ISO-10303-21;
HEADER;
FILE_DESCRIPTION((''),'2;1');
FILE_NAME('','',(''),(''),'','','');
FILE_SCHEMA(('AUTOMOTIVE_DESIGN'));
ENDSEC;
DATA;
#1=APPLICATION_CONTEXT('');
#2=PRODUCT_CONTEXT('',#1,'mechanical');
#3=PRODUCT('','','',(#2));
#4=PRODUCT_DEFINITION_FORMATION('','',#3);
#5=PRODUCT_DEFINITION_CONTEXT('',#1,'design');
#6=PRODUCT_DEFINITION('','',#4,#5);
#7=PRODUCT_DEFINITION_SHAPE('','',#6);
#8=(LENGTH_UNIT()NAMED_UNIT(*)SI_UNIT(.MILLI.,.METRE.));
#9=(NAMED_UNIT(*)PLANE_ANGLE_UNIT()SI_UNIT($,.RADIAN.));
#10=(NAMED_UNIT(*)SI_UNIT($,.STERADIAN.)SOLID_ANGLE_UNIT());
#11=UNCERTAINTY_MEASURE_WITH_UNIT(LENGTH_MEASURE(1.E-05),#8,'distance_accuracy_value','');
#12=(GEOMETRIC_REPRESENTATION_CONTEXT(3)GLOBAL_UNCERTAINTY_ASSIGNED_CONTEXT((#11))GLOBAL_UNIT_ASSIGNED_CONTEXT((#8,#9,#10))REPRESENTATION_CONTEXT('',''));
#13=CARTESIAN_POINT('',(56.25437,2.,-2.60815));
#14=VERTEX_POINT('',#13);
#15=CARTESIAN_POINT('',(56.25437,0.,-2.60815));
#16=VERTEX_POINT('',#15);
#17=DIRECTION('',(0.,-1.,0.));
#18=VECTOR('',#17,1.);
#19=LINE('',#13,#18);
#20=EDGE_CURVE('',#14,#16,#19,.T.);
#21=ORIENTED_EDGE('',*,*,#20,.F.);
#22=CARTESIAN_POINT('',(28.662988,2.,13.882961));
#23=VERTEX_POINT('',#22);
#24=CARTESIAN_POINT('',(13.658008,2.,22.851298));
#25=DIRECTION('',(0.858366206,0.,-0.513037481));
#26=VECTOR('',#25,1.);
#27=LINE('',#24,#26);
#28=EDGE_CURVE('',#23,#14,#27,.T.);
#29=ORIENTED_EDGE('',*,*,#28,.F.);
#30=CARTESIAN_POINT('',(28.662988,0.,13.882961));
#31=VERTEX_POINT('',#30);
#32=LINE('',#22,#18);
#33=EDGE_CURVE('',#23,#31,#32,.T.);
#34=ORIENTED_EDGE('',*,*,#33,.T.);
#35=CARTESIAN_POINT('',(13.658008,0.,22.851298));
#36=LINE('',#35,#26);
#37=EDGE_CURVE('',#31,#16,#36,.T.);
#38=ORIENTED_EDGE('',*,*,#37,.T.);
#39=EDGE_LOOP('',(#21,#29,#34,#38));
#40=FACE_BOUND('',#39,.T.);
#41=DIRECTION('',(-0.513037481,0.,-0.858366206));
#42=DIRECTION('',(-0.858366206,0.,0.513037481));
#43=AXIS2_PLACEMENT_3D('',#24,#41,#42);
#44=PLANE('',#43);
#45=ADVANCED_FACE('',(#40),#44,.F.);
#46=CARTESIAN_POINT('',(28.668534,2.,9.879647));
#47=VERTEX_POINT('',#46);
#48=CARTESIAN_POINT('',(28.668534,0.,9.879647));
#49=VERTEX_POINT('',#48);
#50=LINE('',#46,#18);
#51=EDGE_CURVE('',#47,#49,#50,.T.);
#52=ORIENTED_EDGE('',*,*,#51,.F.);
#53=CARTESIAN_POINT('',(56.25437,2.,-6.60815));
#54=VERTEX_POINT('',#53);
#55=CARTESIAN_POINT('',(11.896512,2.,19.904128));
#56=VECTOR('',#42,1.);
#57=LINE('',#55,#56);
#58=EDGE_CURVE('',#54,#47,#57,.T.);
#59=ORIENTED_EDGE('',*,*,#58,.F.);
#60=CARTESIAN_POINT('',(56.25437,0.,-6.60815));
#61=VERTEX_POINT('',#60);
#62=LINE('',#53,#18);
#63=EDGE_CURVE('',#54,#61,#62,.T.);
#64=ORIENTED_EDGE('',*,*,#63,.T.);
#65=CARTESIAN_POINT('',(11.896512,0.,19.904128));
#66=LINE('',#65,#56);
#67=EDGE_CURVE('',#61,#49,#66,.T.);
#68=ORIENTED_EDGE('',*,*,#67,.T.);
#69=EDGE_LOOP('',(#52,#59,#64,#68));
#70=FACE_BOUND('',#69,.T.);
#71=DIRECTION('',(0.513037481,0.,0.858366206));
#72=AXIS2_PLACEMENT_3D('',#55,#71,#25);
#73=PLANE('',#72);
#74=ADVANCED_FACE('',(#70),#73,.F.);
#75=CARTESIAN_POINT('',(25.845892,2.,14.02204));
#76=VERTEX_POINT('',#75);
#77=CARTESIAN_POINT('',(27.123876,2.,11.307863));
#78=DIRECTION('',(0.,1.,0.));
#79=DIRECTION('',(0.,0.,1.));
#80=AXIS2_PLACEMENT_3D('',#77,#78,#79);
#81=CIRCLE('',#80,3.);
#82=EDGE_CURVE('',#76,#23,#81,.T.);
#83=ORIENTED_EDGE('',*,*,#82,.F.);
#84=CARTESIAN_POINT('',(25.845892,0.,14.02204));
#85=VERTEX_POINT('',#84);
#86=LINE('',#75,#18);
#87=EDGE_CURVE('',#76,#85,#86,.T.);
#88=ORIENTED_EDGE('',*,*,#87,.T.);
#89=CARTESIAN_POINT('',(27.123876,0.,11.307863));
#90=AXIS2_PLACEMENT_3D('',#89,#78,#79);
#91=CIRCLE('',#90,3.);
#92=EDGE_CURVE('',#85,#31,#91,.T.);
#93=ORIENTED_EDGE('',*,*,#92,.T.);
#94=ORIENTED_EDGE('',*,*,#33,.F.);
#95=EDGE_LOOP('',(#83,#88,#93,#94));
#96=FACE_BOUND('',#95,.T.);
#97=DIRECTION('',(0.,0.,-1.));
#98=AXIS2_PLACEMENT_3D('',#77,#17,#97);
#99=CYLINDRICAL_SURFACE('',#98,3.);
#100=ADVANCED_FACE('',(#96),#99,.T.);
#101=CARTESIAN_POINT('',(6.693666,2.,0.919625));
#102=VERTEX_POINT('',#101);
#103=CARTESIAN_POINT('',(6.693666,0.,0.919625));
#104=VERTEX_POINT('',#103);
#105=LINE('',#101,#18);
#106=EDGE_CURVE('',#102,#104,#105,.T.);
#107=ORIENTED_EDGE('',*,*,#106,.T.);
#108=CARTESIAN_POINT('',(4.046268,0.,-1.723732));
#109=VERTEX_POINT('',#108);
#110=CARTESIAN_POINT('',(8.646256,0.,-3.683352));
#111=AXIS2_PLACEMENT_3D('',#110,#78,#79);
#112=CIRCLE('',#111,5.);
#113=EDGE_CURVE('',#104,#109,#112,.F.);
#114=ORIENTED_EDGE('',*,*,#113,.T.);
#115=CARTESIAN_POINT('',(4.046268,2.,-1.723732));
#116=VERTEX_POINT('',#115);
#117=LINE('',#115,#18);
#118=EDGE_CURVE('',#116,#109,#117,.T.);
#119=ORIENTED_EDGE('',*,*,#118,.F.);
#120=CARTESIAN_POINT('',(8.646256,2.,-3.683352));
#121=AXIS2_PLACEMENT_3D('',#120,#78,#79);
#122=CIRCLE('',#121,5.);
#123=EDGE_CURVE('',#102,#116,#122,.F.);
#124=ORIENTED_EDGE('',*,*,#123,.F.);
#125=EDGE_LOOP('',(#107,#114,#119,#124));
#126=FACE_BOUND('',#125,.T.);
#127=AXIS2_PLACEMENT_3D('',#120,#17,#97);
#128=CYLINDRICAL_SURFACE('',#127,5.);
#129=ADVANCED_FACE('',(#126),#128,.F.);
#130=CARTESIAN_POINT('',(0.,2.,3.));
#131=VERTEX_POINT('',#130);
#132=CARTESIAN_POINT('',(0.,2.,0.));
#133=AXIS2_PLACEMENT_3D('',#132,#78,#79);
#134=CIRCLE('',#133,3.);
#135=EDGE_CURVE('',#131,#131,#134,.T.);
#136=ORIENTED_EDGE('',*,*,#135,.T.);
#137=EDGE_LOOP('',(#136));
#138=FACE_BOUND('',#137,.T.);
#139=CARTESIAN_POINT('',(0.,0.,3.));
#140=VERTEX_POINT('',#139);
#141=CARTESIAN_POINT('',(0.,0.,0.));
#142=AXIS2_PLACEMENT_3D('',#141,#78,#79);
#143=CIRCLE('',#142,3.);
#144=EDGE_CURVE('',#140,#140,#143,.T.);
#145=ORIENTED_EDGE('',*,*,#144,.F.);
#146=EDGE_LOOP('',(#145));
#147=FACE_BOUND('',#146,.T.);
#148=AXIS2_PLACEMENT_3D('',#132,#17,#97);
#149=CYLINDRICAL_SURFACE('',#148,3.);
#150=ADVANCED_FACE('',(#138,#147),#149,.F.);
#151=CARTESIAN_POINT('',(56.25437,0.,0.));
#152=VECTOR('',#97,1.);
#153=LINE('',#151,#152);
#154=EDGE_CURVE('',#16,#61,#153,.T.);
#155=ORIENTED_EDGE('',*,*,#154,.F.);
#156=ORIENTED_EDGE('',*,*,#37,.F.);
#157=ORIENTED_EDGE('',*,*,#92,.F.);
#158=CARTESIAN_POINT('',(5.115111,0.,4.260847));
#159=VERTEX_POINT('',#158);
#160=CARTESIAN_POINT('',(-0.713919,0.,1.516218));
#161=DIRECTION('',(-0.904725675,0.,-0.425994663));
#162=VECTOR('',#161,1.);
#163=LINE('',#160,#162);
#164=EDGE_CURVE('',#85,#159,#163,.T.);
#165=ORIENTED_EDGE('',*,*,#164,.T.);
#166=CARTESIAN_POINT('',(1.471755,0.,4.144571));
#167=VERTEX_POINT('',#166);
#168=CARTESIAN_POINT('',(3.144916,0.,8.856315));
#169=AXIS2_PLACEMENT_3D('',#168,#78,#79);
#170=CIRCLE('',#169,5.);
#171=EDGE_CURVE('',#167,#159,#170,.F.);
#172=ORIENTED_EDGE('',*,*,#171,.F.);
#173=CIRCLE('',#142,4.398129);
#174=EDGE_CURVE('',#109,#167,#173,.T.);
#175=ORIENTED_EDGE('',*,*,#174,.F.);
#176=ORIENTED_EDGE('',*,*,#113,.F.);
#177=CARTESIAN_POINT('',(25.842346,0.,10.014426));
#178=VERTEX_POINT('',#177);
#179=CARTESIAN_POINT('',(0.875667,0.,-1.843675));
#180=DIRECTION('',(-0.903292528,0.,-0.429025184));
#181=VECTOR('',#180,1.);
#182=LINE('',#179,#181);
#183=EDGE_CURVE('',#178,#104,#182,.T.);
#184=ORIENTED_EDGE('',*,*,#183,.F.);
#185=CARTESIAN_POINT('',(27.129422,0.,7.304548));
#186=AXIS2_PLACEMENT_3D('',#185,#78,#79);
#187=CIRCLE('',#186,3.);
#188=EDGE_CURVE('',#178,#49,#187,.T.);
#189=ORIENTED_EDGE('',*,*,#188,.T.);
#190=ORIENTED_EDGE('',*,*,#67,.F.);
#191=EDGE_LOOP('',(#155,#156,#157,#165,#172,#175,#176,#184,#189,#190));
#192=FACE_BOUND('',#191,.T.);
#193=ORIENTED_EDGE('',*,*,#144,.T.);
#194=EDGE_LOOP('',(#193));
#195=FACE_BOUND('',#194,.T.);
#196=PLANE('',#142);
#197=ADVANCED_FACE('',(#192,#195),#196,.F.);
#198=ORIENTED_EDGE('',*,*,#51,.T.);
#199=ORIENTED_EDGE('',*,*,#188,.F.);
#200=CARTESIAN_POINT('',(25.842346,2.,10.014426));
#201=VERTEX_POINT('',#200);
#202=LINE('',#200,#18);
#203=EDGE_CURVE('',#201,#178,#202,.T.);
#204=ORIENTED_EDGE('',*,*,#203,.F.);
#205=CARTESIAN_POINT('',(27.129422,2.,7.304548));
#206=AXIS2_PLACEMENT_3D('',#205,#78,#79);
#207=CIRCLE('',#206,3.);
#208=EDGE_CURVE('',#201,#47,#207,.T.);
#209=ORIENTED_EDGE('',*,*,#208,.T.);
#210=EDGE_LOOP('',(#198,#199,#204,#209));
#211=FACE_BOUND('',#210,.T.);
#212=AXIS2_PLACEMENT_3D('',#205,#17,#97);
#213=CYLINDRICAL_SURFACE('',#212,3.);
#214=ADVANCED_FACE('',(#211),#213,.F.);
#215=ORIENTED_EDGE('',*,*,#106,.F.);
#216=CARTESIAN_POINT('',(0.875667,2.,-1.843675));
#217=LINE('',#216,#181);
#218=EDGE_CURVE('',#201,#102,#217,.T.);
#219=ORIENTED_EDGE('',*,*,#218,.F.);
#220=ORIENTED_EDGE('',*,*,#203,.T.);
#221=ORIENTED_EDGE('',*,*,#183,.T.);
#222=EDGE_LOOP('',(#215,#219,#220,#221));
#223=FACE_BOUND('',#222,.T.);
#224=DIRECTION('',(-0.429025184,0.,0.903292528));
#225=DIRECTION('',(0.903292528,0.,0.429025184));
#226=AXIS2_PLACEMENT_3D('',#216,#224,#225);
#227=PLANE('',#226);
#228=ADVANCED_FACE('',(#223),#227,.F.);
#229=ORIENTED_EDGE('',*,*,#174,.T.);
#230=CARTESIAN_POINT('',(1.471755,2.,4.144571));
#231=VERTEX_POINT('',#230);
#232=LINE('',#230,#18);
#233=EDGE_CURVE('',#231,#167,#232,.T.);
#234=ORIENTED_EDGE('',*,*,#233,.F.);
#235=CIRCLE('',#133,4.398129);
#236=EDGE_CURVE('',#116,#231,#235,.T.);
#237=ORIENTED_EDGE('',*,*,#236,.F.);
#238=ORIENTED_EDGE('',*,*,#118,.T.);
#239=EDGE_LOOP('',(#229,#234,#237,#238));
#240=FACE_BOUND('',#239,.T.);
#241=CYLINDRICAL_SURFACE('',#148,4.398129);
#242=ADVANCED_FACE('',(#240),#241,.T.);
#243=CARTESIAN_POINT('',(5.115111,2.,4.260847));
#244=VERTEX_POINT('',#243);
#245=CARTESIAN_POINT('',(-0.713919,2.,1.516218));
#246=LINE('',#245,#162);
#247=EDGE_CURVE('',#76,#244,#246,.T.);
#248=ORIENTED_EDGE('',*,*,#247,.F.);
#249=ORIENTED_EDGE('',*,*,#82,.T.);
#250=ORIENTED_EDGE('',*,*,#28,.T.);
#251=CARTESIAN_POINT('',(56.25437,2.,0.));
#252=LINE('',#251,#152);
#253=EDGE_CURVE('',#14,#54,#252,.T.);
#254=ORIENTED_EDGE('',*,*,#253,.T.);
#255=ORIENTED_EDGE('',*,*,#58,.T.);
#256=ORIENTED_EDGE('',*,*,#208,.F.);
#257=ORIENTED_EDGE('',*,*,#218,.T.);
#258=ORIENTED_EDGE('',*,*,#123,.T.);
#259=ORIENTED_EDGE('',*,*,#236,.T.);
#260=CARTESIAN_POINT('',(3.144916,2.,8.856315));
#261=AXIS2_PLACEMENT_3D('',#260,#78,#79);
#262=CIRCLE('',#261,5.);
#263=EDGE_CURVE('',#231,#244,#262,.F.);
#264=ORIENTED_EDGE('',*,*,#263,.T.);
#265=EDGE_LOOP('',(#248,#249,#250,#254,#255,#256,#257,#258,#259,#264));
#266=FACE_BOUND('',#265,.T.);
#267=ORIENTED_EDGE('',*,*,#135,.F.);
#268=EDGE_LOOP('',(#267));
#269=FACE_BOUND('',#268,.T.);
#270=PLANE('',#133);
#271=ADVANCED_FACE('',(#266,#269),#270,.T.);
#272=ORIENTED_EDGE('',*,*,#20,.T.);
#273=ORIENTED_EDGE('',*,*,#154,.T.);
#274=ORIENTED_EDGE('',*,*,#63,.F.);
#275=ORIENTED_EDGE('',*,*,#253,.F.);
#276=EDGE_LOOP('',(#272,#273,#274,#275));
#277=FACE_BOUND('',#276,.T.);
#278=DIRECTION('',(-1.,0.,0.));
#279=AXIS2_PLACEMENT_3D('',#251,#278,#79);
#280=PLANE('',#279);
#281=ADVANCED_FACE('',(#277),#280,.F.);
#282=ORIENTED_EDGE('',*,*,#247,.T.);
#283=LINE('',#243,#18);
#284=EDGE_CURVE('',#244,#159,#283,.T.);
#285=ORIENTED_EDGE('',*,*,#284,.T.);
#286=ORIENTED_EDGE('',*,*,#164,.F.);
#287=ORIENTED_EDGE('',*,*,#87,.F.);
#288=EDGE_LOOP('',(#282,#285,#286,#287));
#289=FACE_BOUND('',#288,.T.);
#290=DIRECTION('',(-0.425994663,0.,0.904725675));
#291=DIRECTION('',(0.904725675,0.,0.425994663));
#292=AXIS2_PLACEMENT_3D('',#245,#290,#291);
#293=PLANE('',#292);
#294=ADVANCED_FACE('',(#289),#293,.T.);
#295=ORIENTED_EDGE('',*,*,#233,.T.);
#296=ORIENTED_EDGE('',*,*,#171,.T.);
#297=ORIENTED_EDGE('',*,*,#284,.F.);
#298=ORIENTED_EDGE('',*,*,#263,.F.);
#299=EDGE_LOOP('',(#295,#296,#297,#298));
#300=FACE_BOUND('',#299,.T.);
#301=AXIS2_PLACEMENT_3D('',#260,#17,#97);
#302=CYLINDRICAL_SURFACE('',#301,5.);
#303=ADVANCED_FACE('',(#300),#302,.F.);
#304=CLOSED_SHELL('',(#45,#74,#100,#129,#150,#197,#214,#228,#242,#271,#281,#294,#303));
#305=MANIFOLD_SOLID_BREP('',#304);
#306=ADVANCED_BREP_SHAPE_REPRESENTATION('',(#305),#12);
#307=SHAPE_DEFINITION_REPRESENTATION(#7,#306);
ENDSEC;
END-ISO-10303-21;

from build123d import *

# Parameters (mm, degrees)
SKETCH1_R           = 3
BOSS_EXTRUDE1_DEPTH = 2


with BuildPart() as part:
    # Sketch1 → Boss-Extrude1 (new body)
    with BuildSketch(Plane(origin=(0, 0, 0), x_dir=(1, 0, 0), z_dir=(0, 1, 0))):
        with BuildLine():
            Line((25.842346039, -10.014425763), (6.693666426, -0.919624764))
            ThreePointArc((6.693666426, -0.919624764), (5.113423812, 0.145118135), (4.046267677, 1.723732067))
            ThreePointArc((4.046267677, 1.723732067), (-4.027578724, 1.766958961), (1.471755352, -4.144571212))
            ThreePointArc((1.471755352, -4.144571212), (3.304406882, -3.858859691), (5.115110957, -4.26084658))
            Line((5.115110957, -4.26084658), (25.845891994, -14.02203976))
            ThreePointArc((25.845891994, -14.02203976), (27.271804068, -14.304213396), (28.662988426, -13.882961353))
            Line((28.662988426, -13.882961353), (56.254370384, 2.608150475))
            Line((56.254370384, 2.608150475), (56.254370384, 6.608150475))
            Line((56.254370384, 6.608150475), (28.668534032, -9.879646796))
            ThreePointArc((28.668534032, -9.879646796), (27.272327122, -10.30114258), (25.842346039, -10.014425763))
        make_face()
        Circle(SKETCH1_R, mode=Mode.SUBTRACT)
    extrude(amount=BOSS_EXTRUDE1_DEPTH)


solid = part.part
